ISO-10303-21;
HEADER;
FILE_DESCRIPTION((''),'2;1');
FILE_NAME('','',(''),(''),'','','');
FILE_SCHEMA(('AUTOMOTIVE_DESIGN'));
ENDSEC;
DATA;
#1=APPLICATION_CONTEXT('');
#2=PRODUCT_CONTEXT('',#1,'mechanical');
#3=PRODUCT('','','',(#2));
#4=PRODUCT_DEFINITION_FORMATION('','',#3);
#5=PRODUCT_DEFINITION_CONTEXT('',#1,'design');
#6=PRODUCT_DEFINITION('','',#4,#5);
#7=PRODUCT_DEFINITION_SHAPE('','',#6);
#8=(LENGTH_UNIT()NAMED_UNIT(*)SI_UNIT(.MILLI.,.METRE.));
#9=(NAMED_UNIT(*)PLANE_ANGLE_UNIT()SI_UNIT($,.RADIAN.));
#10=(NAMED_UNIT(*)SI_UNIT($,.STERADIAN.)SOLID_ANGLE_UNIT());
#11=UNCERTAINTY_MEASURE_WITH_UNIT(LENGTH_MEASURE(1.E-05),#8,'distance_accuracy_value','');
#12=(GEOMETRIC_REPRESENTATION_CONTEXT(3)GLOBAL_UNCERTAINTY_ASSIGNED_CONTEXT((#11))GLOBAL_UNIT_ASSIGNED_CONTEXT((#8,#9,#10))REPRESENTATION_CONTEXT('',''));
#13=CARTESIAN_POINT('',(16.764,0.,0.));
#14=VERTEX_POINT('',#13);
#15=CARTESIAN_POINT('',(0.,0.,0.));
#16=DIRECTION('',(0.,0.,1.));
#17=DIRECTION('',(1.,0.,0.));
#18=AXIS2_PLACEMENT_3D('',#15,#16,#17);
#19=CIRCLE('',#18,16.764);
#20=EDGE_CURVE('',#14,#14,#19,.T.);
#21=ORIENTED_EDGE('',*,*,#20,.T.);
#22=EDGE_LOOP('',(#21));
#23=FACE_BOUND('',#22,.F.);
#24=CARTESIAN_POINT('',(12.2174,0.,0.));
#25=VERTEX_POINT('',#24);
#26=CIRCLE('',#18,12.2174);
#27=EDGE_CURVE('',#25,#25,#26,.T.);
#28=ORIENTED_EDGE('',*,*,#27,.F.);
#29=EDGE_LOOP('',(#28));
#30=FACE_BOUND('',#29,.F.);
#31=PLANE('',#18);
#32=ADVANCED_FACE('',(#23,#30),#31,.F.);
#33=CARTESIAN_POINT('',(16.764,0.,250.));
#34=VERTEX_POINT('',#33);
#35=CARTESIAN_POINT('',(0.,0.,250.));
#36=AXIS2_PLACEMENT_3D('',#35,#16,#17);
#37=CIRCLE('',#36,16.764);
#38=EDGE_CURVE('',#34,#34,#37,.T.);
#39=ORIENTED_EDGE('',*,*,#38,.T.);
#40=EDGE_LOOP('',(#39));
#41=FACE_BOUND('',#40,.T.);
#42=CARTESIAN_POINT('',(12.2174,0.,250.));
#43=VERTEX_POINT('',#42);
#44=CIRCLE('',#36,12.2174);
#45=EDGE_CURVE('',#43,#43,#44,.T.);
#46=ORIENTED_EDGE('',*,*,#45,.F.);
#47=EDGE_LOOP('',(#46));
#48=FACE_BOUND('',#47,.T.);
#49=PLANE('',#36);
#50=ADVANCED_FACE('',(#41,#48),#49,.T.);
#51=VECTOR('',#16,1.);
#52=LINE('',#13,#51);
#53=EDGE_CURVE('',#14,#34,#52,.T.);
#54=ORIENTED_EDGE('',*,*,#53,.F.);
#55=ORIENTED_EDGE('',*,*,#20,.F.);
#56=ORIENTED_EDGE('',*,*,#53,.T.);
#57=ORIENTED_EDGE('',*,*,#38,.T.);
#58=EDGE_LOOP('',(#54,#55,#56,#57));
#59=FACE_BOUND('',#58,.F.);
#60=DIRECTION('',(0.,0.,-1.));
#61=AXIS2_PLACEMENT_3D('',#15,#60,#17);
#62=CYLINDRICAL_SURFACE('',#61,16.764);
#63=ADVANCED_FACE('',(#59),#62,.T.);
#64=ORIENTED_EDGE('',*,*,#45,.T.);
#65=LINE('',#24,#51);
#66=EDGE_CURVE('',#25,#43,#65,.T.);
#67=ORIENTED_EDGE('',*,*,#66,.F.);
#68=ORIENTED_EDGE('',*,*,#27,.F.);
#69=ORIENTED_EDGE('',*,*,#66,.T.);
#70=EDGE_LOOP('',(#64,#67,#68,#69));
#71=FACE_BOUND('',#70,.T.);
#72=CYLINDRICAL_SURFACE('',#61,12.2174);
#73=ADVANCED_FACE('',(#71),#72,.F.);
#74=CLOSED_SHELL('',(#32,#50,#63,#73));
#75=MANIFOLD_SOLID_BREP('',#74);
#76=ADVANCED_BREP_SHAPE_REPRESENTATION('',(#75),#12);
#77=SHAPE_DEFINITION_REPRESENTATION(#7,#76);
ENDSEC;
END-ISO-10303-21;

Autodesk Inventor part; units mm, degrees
ref_plane "YZ Plane" through (0, 0, 0) normal (1, 0, 0) x (0, 1, 0)
ref_plane "Start Plane" through (0, 0, 0) normal (0, 0, 1) x (1, 0, 0)
ref_plane "End Plane" through (0, 0, 250) normal (0, 0, 1) x (1, 0, 0)
sketch "Sketch" plane through (0, 0, 0) normal (0, 0, 1) x (1, 0, 0)
  circle A0 centre (0, 0) radius 12.2174
  circle A1 centre (0, 0) radius 16.764
  dimension "d0" = 33.528
  dimension "d1" = 4.5466
extrude "Body" add sketch "Sketch" along normal up to surface (250 mm away) from surface at 0
sketch "Sketch3" plane through (0, 0, 0) normal (0, 0, 1) x (1, 0, 0)
  line L0 (0, 0) -> (10, 0)
ref_plane "Work Plane3" through (0, 0, 0) normal (0, -1, 0) x (1, 0, 0)
sketch "Sketch4" plane through (0, 0, 0) normal (0, -1, 0) x (1, 0, 0)
  line L0 (-2, 0) -> (12, 0) projected
  line L1 (-2, 250) -> (12, 250) projected
  dimension "d7" = 250
equation "\"d0\" = G_H"
equation "\"d1\" = G_T"
equation "\"d2\" = G_L"
equation "\"G_H\" = 33.528"
equation "\"G_T\" = 4.5466"
equation "\"G_L\" = d7"
equation "\"G_OFFSET_START\" = 0"
equation "\"G_OFFSET_END\" = 0"
equation "\"d5\" = G_OFFSET_END + B_L"
equation "\"B_L\" = 250"
properties part number "ANSI - 1 x 0.179 - 9.843" material "Steel, Mild"
